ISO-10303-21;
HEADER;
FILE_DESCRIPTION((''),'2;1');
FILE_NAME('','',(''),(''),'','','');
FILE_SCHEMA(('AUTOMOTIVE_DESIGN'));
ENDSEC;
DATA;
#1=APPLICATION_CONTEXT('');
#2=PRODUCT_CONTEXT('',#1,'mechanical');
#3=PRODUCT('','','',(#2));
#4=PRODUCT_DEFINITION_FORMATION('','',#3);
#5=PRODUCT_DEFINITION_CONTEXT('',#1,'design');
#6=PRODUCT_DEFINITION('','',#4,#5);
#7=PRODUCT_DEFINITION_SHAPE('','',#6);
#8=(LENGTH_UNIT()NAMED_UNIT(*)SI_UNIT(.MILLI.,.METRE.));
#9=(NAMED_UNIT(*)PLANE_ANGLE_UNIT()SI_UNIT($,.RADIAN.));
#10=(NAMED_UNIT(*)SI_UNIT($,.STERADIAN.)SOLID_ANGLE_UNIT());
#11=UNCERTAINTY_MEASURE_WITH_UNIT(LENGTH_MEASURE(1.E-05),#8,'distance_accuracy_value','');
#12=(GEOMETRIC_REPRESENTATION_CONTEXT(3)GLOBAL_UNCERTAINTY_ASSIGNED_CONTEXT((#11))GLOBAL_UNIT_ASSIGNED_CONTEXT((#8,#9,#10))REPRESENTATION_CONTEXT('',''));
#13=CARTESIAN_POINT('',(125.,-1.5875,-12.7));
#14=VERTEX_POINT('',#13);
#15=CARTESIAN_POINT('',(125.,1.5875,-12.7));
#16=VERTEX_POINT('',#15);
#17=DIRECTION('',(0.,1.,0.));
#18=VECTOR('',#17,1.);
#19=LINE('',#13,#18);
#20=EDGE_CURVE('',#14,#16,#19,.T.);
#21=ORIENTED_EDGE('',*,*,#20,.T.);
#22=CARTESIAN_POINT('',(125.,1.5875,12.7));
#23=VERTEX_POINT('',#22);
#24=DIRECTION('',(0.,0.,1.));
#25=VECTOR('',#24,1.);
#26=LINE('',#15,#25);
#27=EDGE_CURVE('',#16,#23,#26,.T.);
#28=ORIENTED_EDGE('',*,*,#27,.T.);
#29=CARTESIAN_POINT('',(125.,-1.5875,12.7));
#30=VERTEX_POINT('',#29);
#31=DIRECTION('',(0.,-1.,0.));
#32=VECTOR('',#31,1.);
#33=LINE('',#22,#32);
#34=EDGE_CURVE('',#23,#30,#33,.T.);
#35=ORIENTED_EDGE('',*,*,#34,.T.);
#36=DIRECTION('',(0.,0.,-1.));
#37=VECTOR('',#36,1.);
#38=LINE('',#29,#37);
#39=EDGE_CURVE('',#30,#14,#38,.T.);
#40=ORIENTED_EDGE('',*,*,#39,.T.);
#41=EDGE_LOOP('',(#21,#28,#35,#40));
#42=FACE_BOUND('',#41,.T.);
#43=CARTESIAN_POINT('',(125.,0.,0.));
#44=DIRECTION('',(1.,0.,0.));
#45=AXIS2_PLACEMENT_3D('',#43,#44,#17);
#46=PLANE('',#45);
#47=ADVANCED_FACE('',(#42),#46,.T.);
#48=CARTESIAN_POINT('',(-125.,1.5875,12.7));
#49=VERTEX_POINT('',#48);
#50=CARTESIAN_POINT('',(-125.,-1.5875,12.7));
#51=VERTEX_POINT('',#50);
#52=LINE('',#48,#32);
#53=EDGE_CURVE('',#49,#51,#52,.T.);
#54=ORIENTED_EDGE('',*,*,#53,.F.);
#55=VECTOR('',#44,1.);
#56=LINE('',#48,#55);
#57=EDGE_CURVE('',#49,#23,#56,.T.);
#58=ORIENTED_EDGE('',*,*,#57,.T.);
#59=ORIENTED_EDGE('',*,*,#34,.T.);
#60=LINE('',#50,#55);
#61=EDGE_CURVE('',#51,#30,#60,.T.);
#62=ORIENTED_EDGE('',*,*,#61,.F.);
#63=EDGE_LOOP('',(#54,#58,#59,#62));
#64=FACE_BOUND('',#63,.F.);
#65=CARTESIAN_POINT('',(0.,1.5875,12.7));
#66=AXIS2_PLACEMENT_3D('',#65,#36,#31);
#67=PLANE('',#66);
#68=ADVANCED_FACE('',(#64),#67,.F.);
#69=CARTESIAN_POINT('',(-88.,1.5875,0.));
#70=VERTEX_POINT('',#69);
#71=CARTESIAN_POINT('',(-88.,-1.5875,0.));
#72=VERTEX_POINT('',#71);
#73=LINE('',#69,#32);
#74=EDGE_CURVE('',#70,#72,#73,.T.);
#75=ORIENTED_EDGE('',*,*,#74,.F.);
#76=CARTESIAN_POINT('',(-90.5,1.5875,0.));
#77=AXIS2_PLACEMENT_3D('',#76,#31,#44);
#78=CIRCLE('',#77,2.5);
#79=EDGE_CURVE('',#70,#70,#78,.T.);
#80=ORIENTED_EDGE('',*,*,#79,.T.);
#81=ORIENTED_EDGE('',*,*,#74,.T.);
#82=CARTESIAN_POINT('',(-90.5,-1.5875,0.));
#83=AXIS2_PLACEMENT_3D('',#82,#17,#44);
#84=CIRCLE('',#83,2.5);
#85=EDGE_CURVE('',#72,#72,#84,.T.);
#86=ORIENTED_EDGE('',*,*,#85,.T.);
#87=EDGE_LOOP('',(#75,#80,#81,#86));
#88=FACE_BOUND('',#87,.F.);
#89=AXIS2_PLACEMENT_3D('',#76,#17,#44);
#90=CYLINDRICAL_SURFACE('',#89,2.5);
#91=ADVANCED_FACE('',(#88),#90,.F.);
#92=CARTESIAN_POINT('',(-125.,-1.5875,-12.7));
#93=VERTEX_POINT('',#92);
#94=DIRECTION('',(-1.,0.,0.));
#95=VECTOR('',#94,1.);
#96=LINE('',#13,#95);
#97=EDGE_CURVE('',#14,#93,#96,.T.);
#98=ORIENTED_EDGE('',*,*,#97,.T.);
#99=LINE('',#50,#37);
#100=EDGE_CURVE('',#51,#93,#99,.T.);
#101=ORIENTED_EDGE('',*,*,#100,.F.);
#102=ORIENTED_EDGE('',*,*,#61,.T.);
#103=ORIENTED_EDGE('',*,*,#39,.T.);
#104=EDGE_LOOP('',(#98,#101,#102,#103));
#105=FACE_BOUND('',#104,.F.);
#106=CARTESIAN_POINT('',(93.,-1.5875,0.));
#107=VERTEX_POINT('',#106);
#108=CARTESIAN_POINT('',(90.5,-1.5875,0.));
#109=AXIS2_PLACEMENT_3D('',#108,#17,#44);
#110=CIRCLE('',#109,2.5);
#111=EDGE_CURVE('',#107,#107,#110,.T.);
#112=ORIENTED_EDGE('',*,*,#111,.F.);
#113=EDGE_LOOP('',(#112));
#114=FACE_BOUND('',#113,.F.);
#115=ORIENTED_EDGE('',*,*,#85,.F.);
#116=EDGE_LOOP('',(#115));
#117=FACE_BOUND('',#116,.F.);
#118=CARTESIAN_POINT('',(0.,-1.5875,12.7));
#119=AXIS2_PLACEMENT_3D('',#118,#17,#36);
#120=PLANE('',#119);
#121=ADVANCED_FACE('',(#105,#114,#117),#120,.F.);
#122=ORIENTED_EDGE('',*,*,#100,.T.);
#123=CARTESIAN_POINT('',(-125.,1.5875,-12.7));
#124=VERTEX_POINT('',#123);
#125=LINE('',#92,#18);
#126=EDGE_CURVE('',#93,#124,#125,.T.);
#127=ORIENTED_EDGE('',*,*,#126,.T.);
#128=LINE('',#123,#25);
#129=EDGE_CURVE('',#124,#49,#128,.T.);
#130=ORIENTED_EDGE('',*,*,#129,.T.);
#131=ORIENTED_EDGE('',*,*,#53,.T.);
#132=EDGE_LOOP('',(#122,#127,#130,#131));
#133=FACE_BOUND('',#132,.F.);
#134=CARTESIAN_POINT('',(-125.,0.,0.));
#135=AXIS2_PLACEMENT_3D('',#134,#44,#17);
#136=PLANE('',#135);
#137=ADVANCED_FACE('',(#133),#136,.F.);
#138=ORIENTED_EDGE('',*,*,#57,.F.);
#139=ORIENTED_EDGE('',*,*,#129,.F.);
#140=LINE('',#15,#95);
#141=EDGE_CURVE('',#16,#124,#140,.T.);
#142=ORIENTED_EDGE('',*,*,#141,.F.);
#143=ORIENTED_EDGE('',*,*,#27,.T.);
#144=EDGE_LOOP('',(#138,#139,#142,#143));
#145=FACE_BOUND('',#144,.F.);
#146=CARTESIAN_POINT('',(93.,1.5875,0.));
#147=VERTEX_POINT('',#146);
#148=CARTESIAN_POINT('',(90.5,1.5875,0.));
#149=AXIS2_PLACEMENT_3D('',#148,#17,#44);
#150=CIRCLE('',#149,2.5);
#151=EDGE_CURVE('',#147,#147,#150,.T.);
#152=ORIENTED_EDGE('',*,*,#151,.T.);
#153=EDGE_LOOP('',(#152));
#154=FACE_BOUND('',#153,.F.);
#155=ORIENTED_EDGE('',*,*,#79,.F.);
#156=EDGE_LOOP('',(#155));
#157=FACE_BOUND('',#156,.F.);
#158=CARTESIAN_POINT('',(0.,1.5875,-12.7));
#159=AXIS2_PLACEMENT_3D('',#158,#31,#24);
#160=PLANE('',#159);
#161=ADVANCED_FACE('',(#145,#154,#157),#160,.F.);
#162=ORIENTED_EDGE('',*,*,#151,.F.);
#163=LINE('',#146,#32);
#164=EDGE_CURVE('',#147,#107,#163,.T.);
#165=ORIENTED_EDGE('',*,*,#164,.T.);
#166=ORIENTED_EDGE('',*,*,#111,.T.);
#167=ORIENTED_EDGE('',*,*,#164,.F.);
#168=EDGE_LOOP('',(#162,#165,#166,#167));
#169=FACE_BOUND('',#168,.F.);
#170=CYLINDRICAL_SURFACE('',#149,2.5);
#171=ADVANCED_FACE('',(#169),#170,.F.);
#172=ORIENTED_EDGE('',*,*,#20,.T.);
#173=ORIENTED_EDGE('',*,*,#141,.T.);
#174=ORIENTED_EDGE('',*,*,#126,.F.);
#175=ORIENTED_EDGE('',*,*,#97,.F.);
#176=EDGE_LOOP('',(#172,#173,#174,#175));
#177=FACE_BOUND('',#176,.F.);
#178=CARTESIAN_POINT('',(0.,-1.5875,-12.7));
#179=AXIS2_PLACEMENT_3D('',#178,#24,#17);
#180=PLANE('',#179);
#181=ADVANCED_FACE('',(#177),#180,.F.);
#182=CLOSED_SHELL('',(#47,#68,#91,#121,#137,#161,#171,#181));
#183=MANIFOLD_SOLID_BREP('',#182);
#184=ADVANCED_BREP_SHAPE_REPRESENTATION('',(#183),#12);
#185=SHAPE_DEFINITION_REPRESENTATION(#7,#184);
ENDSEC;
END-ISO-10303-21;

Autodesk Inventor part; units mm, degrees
ref_plane "YZ Plane" through (0, 0, 0) normal (1, 0, 0) x (0, 1, 0)
ref_plane "XZ Plane" through (0, 0, 0) normal (0, 1, 0) x (-1, 0, 0)
ref_plane "XY Plane" through (0, 0, 0) normal (0, 0, 1) x (1, 0, 0)
sketch "Sketch1" plane through (0, 0, 0) normal (1, 0, 0) x (0, 1, 0)
  line L0 (1.5875, 12.7) -> (-1.5875, 12.7)
  line L1 (-1.5875, 12.7) -> (-1.5875, -12.7)
  line L2 (-1.5875, -12.7) -> (1.5875, -12.7)
  line L3 (1.5875, -12.7) -> (1.5875, 12.7)
  line L4 (1.5875, 12.7) -> (-1.5875, -12.7) construction
  line L5 (-1.5875, 12.7) -> (1.5875, -12.7) construction
  point P0 (0, 0)
  dimension "d0" = 3.175
  dimension "d1" = 25.4
extrude "Extrusion1" add sketch "Sketch1" along normal mid plane 250
sketch "Sketch2" plane through (-125, 1.5875, 12.7) normal (0, 1, 0) x (1, 0, 0)
  line L0 (0, 0) -> (0, 25.4) projected
  line L1 (0, 12.7) -> (34.5, 12.7)
  circle A0 centre (34.5, 12.7) radius 2.5
  line L2 (125, 12.7) -> (125, 25.4)
  line L3 (0, 25.4) -> (250, 25.4) projected
  circle A1 centre (215.5, 12.7) radius 2.5
  dimension "d4" = 34.5
  dimension "d6" = 5
extrude "Extrusion2" cut sketch "Sketch2" against normal through all
properties part number "PLETINA PARA CARA INCLINADA"
